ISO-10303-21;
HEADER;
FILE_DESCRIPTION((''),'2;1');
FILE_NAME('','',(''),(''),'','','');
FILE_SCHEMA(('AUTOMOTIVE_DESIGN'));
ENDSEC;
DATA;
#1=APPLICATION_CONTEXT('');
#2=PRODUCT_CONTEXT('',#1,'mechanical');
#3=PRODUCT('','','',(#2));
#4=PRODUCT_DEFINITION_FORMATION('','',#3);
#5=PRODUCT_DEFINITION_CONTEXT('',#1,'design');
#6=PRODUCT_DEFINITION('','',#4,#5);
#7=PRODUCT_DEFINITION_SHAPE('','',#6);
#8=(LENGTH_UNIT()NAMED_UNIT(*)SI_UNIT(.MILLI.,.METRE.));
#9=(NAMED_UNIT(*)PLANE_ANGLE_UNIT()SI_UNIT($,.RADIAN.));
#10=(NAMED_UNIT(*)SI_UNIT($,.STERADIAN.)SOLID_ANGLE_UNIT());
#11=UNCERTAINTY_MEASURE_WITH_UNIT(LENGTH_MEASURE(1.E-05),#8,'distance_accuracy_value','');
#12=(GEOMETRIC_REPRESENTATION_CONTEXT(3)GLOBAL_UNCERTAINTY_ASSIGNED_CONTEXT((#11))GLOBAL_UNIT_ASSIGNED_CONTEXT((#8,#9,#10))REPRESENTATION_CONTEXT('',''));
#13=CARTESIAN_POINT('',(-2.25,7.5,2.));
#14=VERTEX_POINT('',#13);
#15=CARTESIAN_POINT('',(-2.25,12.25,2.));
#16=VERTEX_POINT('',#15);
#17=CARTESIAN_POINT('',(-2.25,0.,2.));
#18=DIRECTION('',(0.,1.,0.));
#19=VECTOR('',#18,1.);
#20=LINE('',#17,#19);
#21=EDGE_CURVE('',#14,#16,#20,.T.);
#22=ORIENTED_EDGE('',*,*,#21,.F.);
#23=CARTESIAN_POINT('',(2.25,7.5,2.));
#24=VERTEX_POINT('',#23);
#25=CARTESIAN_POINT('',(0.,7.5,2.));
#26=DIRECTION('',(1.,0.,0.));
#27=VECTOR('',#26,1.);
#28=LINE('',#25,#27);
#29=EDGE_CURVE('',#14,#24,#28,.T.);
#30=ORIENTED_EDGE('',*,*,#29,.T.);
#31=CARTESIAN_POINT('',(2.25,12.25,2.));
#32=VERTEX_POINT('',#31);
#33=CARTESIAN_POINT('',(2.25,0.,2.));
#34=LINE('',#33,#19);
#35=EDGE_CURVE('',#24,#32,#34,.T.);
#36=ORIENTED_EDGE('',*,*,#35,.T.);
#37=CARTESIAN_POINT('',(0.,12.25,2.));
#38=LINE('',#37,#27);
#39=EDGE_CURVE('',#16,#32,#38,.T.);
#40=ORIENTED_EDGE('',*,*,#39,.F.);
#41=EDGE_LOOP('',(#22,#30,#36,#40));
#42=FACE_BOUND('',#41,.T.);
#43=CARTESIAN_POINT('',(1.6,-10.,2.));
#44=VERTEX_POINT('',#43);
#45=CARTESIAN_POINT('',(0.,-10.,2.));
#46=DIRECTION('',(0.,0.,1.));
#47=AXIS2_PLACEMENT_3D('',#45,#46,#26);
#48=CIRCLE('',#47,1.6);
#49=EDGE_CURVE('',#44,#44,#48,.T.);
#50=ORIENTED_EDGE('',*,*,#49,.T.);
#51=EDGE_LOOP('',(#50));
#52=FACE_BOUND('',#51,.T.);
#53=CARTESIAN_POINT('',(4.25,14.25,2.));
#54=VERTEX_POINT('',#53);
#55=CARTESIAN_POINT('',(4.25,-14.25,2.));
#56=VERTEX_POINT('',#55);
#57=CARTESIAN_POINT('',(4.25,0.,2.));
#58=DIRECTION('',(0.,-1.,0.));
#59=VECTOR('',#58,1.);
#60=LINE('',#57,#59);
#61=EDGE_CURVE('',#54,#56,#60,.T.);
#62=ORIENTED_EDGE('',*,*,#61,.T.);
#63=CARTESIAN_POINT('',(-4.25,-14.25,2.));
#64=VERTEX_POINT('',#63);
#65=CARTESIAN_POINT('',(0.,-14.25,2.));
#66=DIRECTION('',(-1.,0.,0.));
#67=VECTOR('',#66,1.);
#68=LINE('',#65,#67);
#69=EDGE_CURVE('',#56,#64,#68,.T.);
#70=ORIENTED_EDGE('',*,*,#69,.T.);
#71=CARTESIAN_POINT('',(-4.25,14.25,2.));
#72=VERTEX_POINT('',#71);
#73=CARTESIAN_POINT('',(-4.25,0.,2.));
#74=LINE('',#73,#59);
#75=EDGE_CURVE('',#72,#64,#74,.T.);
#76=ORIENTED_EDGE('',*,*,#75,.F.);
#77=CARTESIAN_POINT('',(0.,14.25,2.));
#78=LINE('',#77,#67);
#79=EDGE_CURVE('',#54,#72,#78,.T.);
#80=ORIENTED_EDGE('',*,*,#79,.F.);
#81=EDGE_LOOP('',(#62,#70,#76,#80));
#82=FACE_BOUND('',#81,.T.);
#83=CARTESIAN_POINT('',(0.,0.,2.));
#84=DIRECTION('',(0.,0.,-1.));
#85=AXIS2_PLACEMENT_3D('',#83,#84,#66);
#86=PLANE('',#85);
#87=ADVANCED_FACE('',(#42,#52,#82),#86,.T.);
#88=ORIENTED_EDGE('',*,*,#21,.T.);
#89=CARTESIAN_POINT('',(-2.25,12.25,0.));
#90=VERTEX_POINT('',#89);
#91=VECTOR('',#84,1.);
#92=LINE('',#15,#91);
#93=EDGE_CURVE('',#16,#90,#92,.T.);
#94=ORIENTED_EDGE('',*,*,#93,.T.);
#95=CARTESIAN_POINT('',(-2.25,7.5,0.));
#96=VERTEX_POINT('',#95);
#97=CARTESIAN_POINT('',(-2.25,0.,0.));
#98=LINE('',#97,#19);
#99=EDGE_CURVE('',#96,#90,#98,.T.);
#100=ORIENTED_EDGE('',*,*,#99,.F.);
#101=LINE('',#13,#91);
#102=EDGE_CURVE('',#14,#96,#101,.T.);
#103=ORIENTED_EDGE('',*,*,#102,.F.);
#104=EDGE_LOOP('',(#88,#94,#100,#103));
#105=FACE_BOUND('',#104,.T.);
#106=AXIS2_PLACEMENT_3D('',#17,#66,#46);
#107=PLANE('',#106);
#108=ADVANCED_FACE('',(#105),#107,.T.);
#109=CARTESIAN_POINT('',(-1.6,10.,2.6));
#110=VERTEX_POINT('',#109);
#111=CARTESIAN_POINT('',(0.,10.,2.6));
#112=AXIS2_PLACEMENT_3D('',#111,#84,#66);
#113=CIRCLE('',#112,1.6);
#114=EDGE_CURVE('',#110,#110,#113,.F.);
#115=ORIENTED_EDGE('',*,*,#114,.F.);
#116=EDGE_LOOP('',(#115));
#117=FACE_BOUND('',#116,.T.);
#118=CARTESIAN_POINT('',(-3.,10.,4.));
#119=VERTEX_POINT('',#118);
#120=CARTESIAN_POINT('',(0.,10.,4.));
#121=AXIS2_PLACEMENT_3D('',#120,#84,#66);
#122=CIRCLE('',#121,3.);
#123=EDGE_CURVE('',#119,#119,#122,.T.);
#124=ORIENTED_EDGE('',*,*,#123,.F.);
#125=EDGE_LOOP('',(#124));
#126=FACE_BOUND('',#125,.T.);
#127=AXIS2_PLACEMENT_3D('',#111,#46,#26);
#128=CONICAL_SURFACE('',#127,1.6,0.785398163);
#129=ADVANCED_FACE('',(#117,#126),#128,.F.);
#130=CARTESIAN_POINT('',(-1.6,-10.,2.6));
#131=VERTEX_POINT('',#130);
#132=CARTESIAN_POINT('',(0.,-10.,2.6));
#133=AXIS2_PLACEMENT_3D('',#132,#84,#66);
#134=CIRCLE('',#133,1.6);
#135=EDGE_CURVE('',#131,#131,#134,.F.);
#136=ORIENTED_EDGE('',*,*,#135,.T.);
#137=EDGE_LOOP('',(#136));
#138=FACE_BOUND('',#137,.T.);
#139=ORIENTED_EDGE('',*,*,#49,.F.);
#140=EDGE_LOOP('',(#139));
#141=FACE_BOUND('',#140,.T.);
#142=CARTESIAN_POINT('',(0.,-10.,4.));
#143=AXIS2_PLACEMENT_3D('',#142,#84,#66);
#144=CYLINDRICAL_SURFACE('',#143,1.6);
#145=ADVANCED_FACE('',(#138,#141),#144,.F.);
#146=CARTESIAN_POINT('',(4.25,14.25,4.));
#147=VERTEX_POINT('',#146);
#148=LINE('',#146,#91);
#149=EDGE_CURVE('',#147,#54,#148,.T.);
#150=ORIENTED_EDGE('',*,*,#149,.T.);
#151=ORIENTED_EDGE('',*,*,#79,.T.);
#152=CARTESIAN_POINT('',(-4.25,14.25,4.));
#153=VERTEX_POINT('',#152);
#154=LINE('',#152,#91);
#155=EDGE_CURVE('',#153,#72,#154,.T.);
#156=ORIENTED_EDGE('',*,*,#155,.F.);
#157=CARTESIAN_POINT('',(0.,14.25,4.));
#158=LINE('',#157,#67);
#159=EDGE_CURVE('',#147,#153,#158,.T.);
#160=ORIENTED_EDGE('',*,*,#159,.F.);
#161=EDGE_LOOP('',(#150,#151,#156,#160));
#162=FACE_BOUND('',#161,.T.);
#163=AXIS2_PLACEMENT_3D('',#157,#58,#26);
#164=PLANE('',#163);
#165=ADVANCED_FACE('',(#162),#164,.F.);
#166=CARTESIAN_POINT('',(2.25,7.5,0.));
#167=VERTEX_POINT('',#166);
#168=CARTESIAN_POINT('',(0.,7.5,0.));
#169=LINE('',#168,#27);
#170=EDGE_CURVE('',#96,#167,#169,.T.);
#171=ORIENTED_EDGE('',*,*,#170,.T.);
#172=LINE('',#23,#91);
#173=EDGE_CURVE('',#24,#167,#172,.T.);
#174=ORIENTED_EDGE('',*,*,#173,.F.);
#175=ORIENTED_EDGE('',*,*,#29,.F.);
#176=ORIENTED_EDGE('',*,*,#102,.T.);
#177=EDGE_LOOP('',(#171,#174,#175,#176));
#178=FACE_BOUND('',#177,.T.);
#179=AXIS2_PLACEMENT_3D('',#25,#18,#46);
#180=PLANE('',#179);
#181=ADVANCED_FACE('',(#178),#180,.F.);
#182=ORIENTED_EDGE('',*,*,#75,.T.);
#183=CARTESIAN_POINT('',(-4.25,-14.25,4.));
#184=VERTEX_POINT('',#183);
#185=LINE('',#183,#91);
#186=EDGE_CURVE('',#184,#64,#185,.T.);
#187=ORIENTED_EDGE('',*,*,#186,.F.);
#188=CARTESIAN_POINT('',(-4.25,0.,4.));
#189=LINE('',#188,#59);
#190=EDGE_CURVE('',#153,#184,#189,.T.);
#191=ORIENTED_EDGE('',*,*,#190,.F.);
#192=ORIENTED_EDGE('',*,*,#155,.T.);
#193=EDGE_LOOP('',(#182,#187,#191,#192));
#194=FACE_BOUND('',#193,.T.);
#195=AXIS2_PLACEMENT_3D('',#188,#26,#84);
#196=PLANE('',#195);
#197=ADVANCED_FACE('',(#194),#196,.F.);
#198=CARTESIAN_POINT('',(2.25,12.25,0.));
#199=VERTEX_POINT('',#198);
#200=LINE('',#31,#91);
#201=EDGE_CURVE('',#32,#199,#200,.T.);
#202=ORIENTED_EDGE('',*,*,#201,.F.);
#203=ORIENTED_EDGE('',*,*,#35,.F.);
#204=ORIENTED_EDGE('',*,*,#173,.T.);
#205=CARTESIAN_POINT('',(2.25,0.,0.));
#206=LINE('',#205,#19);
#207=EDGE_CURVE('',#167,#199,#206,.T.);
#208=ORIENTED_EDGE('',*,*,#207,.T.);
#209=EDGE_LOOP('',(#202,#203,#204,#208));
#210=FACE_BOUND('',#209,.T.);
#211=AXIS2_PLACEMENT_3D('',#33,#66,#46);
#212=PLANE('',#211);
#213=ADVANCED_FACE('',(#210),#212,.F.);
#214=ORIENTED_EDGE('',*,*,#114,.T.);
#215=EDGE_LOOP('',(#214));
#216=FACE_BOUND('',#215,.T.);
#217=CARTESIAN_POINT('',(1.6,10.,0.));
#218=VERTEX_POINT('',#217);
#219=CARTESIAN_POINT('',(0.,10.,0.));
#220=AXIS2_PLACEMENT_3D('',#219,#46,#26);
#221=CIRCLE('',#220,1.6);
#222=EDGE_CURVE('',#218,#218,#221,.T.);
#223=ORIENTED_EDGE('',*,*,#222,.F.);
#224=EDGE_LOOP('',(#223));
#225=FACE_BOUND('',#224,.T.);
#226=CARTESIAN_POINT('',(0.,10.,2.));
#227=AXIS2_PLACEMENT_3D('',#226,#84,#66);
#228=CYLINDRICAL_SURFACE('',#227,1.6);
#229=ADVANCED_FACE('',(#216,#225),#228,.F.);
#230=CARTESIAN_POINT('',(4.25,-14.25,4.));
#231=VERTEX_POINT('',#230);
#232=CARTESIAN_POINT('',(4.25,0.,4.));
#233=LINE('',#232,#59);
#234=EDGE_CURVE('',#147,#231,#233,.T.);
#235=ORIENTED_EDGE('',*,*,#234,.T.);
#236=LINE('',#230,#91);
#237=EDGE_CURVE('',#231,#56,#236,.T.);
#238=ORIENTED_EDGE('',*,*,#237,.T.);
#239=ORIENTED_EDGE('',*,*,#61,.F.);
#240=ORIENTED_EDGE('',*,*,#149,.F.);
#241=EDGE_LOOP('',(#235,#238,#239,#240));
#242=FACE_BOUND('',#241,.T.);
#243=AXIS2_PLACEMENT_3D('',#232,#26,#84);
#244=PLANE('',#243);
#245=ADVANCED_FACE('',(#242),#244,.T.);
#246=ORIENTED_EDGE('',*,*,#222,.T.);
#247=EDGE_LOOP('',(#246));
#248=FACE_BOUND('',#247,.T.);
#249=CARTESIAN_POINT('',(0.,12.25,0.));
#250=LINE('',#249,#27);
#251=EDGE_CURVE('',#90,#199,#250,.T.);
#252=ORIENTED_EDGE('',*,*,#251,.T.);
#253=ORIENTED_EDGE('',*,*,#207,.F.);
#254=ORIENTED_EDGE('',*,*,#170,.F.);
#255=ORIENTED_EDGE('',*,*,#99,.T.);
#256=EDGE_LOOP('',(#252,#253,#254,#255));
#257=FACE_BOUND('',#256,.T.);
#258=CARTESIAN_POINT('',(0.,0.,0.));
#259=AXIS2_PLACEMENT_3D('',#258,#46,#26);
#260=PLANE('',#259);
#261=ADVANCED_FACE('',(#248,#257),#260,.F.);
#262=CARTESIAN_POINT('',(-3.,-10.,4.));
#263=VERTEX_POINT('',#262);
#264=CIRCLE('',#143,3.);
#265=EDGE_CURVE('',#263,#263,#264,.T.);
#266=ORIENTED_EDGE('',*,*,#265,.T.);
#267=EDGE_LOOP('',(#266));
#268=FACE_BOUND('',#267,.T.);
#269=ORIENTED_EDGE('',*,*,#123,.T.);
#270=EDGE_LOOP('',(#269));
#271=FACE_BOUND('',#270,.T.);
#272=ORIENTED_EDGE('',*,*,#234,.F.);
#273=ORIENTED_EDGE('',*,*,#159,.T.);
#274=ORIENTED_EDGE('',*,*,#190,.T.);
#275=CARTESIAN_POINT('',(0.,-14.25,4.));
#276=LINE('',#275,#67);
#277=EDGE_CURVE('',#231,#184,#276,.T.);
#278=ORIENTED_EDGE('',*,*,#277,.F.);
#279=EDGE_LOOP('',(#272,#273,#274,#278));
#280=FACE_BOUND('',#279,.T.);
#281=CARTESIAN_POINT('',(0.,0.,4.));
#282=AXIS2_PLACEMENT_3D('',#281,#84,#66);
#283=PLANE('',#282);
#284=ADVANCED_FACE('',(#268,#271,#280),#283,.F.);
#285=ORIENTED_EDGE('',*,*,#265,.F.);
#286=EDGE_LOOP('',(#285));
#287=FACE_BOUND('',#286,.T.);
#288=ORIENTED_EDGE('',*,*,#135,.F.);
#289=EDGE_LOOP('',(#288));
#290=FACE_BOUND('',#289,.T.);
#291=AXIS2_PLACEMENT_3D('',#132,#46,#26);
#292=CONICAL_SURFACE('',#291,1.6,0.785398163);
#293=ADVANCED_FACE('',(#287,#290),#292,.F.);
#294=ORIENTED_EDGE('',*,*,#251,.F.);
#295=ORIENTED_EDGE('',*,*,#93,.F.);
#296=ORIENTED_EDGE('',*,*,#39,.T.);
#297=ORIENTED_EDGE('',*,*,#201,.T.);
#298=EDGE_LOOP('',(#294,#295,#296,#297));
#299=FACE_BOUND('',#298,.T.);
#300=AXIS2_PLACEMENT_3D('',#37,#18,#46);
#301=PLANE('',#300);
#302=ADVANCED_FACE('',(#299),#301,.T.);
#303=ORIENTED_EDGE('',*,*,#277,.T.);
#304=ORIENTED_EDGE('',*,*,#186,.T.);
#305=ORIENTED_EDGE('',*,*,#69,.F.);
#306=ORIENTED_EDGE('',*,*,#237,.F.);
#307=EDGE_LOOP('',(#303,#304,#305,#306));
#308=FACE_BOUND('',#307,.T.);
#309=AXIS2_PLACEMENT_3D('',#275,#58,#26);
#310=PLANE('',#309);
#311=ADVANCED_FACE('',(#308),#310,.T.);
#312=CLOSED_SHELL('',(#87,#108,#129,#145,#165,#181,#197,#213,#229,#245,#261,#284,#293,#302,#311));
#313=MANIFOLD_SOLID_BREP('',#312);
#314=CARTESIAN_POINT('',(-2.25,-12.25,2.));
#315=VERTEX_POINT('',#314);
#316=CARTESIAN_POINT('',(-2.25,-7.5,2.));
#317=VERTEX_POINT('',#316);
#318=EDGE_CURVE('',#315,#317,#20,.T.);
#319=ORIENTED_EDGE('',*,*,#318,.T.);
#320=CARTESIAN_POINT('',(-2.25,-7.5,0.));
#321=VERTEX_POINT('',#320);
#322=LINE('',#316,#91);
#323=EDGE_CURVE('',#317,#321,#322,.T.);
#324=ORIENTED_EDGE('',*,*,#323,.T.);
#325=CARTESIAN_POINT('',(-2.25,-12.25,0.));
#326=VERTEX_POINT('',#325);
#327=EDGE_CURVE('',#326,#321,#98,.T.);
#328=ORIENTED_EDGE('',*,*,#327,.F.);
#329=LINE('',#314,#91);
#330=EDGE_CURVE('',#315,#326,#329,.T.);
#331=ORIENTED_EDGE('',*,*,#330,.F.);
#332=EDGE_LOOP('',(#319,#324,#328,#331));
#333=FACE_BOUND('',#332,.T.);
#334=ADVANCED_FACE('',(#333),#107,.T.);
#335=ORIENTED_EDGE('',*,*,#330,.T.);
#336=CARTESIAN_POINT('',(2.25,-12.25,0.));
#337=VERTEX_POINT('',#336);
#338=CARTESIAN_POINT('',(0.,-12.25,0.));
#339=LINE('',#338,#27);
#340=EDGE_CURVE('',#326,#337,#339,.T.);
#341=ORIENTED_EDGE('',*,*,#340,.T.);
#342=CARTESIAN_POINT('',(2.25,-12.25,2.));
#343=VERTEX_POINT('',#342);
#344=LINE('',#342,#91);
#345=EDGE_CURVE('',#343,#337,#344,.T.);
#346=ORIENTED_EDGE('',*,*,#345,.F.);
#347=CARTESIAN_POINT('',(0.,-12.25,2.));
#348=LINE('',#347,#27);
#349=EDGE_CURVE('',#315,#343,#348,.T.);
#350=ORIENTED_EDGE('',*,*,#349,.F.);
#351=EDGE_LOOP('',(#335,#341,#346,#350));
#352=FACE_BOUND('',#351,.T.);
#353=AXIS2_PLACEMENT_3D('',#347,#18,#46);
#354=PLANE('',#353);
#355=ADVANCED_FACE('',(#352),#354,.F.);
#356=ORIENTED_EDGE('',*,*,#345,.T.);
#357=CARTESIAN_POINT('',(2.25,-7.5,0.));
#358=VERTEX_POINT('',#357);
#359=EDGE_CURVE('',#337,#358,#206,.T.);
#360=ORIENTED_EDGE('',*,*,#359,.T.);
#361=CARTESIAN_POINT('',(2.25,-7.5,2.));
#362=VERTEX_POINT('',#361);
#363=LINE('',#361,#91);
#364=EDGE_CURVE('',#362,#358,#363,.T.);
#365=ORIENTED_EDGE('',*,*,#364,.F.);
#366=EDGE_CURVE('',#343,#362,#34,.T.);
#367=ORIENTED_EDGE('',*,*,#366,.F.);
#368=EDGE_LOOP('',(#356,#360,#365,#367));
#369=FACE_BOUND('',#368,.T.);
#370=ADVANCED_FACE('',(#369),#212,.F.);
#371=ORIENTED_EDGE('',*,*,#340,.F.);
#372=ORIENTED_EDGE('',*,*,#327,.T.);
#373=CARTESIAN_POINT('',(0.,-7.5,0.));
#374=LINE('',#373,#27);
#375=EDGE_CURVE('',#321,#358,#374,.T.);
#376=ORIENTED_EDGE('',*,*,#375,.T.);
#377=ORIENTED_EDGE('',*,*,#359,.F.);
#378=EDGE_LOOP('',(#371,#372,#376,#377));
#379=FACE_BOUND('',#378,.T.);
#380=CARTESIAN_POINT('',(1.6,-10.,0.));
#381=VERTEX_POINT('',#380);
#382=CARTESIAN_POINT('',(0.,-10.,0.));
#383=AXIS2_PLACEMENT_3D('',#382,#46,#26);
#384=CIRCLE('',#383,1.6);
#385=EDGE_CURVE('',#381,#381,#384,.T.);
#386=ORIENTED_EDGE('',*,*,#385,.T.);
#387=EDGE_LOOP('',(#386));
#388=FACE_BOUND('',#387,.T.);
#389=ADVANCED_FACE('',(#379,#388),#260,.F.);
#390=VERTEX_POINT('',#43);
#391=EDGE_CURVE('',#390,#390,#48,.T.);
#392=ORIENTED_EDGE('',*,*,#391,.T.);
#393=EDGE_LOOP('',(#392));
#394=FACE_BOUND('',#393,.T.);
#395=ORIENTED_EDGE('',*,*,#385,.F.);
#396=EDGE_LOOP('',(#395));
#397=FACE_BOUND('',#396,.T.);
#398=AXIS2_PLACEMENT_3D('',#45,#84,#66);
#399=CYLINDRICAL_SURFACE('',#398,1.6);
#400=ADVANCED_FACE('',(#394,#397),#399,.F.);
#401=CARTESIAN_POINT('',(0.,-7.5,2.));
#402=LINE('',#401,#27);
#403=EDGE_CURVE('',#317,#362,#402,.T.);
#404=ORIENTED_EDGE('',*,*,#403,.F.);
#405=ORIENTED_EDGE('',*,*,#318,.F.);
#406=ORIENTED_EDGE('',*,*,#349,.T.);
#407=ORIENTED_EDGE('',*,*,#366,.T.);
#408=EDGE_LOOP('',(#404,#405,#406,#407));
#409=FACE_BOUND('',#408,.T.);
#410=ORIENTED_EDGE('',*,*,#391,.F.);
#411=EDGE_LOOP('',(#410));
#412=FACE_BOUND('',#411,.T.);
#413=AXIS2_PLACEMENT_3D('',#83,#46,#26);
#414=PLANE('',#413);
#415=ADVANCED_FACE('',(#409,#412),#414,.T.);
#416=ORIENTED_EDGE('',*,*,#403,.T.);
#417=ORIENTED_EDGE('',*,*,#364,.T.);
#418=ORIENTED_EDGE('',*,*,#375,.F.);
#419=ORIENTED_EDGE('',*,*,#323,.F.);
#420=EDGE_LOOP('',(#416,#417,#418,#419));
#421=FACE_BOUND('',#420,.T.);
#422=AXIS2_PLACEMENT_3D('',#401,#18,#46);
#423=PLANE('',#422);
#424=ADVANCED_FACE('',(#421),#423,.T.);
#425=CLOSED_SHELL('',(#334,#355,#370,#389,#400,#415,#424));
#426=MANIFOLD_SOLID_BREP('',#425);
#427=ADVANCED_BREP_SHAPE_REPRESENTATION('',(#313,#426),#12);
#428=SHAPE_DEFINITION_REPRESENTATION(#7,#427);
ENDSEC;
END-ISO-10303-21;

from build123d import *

# Parameters (mm, degrees)
SKETCH1_W             = 4.75
SKETCH1_H             = 4.5
SKETCH1_R             = 1.6
BOSS_EXTRUDE1_DEPTH   = 2
BOSS_EXTRUDE1_2_DEPTH = 2
BOSS_EXTRUDE2_START   = 2
SKETCH1_3_W           = 28.5
SKETCH1_3_H           = 8.5
SKETCH1_3_W_2         = 24.5
SKETCH1_3_H_2         = 4.5
SKETCH1_3_R           = 1.6
SKETCH1_3_W_3         = 15
SKETCH1_3_W_4         = 4.75
BOSS_EXTRUDE2_DEPTH   = 2
CHAMFER1_SIZE         = 1.4


with BuildPart() as part:
    # Sketch1 → Boss-Extrude1 (new body)
    with BuildSketch(Plane(origin=(0, 0, 0), x_dir=(0, 1, 0), z_dir=(0, 0, 1))):
        with Locations((-9.875, 0)):
            Rectangle(SKETCH1_W, SKETCH1_H)
        with Locations((-10, 0)):
            Circle(SKETCH1_R, mode=Mode.SUBTRACT)
    extrude(amount=BOSS_EXTRUDE1_DEPTH)


with BuildPart() as body_2:
    # Sketch1 → Boss-Extrude1 2 (new body)
    with BuildSketch(Plane(origin=(0, 0, 0), x_dir=(0, 1, 0), z_dir=(0, 0, 1))):
        with Locations((9.875, 0)):
            Rectangle(SKETCH1_W, SKETCH1_H)
        with Locations((10, 0)):
            Circle(SKETCH1_R, mode=Mode.SUBTRACT)
    extrude(amount=BOSS_EXTRUDE1_2_DEPTH)

    # Sketch1<3> → Boss-Extrude2 (add)
    with BuildSketch(Plane(origin=(0, 0, 0), x_dir=(0, 1, 0), z_dir=(0, 0, 1)).offset(BOSS_EXTRUDE2_START)):
        Rectangle(SKETCH1_3_W, SKETCH1_3_H)
        Rectangle(SKETCH1_3_W_2, SKETCH1_3_H_2, mode=Mode.SUBTRACT)
        Rectangle(SKETCH1_3_W_2, SKETCH1_3_H_2)
        with Locations((10, 0)):
            Circle(SKETCH1_3_R, mode=Mode.SUBTRACT)
        with Locations((-10, 0)):
            Circle(SKETCH1_3_R, mode=Mode.SUBTRACT)
        Rectangle(SKETCH1_3_W_3, SKETCH1_3_H_2)
        with Locations((-9.875, 0)):
            Rectangle(SKETCH1_3_W_4, SKETCH1_3_H_2)
        with Locations((-10, 0)):
            Circle(SKETCH1_3_R, mode=Mode.SUBTRACT)
    extrude(amount=BOSS_EXTRUDE2_DEPTH)

    # Chamfer1
    chamfer1_edges = [body_2.edges().sort_by_distance(p)[0] for p in [
        (0, -11.6, 4),
        (0, 8.4, 4),
    ]]
    chamfer(chamfer1_edges, length=CHAMFER1_SIZE)


solid = Compound([part.part, body_2.part])
